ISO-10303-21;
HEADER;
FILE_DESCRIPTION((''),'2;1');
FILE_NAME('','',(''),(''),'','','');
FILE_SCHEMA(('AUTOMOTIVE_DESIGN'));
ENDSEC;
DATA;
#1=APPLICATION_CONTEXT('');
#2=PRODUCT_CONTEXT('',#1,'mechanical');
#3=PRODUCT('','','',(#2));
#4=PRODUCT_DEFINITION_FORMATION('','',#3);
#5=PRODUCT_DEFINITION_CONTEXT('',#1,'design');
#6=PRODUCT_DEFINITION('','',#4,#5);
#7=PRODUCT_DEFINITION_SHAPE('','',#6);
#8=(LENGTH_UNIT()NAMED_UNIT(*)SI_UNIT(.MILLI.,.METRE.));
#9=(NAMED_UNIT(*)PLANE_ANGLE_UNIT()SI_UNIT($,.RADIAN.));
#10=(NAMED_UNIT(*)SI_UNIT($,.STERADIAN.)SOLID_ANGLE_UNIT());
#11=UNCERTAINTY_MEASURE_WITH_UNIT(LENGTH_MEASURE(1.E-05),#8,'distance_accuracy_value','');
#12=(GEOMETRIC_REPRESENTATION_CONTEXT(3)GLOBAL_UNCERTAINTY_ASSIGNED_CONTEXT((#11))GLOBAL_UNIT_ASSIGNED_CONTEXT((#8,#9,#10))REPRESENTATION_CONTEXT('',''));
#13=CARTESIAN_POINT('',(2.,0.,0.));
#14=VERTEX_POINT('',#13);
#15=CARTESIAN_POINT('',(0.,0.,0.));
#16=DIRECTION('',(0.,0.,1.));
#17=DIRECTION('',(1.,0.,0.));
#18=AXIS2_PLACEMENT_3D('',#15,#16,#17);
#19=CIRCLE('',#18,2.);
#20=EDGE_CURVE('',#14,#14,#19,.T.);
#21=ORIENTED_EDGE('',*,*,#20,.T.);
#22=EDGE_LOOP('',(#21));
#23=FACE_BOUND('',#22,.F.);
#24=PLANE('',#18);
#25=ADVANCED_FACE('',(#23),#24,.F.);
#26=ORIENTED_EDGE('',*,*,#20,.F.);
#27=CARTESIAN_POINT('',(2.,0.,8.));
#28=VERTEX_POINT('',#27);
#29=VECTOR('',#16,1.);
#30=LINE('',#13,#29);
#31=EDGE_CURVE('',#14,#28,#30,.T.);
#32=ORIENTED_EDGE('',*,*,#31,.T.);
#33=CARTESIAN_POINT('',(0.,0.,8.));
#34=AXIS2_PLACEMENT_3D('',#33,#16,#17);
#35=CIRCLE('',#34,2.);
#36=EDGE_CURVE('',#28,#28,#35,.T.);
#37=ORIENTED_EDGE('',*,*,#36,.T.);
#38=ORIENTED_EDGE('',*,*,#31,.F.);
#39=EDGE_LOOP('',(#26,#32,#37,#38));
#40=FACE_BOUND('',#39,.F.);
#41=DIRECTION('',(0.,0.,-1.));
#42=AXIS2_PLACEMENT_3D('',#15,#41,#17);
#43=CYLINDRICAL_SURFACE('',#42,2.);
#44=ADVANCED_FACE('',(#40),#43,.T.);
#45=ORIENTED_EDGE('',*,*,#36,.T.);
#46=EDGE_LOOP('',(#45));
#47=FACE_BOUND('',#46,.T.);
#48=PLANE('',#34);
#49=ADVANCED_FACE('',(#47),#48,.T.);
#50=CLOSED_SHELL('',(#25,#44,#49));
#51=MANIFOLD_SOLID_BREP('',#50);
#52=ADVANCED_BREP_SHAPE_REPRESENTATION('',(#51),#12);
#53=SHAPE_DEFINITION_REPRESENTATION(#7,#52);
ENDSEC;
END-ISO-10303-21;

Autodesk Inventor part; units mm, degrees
ref_plane "YZ Plane" through (0, 0, 0) normal (1, 0, 0) x (0, 1, 0)
ref_plane "XZ Plane" through (0, 0, 0) normal (0, 1, 0) x (-1, 0, 0)
ref_plane "XY Plane" through (0, 0, 0) normal (0, 0, 1) x (1, 0, 0)
sketch "Sketch2" plane through (0, 0, 0) normal (0, 0, 1) x (1, 0, 0)
  circle A0 centre (0, 0) radius 2
  dimension "d3" = 4
extrude "Extrusion2" add sketch "Sketch2" along normal blind 8
properties part number "WelleOut"
